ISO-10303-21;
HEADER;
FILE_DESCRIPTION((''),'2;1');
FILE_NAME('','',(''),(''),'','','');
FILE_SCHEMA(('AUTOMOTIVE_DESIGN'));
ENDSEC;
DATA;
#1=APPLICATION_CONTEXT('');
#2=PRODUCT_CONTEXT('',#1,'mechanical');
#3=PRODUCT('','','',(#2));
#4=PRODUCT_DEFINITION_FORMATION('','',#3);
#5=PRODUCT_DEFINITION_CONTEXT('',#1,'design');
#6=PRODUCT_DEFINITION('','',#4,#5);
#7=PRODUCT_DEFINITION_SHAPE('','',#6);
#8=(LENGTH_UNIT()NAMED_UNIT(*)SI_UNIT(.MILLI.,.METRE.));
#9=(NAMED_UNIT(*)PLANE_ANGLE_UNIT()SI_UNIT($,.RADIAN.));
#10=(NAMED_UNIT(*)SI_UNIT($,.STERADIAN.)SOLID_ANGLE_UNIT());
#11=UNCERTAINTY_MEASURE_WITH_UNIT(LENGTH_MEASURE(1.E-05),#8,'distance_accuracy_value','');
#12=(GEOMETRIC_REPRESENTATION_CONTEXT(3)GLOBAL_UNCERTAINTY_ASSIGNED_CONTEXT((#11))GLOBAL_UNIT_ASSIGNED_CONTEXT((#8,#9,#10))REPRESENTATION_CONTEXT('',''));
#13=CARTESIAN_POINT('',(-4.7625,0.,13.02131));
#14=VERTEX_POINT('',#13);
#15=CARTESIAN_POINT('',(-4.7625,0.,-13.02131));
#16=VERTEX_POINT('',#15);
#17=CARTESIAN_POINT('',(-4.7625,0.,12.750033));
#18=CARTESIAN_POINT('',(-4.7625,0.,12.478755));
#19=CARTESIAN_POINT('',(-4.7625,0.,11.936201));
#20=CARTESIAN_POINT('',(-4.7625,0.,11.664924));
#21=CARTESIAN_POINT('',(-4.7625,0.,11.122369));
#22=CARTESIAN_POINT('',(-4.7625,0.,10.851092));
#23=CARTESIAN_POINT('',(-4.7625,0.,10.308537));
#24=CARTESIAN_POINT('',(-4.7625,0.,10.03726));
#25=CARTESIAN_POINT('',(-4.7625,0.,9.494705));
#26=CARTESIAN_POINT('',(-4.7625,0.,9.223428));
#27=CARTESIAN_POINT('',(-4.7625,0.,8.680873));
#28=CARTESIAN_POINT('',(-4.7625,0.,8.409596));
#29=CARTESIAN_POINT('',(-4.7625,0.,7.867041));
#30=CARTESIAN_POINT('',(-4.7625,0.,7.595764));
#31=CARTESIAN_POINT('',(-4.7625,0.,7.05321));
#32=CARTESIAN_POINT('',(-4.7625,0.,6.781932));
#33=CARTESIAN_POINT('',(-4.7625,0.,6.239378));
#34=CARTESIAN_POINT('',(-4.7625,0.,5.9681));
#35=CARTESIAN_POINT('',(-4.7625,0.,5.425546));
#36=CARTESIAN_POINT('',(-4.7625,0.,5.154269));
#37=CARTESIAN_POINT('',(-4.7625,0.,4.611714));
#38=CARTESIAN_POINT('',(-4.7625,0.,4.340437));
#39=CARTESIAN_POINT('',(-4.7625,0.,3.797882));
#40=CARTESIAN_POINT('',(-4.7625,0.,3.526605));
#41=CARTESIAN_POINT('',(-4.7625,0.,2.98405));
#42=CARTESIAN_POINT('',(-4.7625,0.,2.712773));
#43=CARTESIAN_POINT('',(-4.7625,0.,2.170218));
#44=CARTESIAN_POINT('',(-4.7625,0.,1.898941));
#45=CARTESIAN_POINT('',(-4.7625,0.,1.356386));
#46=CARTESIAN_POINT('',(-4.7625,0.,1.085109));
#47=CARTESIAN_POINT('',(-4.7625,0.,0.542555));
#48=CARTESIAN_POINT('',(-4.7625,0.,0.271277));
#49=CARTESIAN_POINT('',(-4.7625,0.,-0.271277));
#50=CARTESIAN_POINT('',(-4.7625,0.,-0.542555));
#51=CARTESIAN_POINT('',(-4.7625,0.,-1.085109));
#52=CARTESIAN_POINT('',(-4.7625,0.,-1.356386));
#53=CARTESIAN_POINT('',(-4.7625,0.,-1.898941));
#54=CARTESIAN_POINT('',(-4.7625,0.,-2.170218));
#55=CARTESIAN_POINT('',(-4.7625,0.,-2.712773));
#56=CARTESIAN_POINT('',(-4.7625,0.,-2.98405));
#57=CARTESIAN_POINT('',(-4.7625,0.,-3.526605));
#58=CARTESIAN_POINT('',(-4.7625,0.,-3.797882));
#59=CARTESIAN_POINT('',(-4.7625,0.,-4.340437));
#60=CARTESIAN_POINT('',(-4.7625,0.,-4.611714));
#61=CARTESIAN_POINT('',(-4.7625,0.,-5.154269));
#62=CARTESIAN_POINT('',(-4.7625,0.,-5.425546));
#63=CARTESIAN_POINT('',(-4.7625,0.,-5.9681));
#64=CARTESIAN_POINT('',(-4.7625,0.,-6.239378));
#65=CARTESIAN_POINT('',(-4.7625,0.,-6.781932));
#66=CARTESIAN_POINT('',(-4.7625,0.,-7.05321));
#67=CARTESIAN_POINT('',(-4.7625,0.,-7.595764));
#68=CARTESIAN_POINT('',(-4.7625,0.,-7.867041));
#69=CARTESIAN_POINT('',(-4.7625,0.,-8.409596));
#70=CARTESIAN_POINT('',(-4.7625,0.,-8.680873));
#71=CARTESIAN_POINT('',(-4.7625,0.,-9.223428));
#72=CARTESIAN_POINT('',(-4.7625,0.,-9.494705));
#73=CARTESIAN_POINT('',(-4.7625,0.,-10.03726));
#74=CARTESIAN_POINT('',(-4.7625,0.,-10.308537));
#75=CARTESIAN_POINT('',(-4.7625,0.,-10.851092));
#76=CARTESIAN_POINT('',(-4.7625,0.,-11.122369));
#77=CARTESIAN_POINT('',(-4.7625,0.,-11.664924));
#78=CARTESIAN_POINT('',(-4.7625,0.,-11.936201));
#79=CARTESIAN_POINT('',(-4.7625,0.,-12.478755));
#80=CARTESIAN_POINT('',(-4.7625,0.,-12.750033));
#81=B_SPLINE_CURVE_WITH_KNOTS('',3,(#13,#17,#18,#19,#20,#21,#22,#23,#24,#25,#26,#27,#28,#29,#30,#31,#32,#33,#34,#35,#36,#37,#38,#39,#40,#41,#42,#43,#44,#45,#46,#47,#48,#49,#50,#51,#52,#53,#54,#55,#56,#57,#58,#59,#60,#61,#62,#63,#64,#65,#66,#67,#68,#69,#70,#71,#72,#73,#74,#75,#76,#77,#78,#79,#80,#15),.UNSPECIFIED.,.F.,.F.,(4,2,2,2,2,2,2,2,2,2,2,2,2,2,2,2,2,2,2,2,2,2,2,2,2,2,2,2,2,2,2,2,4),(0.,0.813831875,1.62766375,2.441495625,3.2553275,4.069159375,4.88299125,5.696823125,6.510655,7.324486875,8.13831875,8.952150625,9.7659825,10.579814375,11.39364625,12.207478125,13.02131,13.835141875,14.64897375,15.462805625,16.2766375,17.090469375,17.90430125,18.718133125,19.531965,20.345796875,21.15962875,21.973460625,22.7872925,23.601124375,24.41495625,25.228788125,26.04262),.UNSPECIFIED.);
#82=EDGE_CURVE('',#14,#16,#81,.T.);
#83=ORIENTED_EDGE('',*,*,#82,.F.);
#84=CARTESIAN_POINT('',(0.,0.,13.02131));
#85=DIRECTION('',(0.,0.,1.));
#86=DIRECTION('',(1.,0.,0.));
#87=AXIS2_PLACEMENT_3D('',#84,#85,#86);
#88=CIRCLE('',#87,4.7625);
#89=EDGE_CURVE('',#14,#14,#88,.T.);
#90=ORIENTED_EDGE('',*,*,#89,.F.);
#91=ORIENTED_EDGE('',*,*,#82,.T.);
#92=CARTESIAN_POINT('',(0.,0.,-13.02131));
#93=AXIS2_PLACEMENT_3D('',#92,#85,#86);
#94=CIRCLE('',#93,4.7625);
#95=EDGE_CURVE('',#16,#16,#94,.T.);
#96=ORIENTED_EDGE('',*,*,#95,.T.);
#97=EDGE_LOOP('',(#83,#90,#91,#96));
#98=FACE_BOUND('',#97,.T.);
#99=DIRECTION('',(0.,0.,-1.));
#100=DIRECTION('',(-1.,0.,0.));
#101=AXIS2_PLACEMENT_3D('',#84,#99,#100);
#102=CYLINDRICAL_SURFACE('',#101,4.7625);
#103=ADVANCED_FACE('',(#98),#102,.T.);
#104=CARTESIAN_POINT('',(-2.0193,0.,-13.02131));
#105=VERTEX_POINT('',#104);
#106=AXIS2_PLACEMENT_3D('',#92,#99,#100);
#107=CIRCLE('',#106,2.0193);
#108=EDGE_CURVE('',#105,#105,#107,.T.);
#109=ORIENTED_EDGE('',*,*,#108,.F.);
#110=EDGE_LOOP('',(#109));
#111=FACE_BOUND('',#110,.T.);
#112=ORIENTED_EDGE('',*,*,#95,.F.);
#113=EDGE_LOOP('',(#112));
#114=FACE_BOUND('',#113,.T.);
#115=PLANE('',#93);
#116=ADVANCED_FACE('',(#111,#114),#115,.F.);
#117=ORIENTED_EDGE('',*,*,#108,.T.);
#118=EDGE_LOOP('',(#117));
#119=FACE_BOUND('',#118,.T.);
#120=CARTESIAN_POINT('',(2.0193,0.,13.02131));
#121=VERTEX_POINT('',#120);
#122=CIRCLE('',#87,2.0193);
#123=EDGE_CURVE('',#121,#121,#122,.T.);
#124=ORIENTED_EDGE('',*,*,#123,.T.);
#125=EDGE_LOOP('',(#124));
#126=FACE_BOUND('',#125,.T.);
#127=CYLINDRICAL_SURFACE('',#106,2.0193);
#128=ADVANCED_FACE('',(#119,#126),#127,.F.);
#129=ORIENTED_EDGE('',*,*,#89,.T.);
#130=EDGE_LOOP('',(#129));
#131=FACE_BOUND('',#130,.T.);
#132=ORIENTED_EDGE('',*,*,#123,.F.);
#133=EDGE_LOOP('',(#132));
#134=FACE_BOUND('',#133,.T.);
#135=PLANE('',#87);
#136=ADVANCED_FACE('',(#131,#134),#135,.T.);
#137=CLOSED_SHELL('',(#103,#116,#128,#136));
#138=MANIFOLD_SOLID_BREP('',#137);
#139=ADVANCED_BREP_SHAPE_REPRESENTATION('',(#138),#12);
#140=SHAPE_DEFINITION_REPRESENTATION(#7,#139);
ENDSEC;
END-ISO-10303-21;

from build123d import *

# Parameters (mm, degrees)
SKETCH1_R                            = 4.7625
BOSS_EXTRUDE1_DEPTH                  = 13.02131
F_10_32_TAPPED_HOLE2_D               = 4.0386
F_10_32_TAPPED_HOLE2_DEPTH           = 15.07744
F_10_32_TAPPED_HOLE2_TIP             = 1.213317848
F_10_32_TAPPED_HOLE2_ON_FACE_2_D     = 4.0386
F_10_32_TAPPED_HOLE2_ON_FACE_2_DEPTH = 15.07744
F_10_32_TAPPED_HOLE2_ON_FACE_2_TIP   = 1.213317848


with BuildPart() as part:
    # Sketch1 → Boss-Extrude1 (new, symmetric)
    with BuildSketch(Plane.XY):
        with Locations(Location((0, 0, 0), (0, 0, 180))):
            Circle(SKETCH1_R)
    extrude(amount=BOSS_EXTRUDE1_DEPTH, both=True)

    # #10-32 Tapped Hole2
    with Locations(Plane.XY.offset(13.02131)):
        with Locations((0, 0)):
            Hole(F_10_32_TAPPED_HOLE2_D / 2, depth=F_10_32_TAPPED_HOLE2_DEPTH)
            with Locations((0, 0, -(F_10_32_TAPPED_HOLE2_DEPTH + F_10_32_TAPPED_HOLE2_TIP / 2))):  # 118° drill point
                Cone(0, F_10_32_TAPPED_HOLE2_D / 2, F_10_32_TAPPED_HOLE2_TIP, mode=Mode.SUBTRACT)

    # #10-32 Tapped Hole2 on face 2
    with Locations(Plane(origin=(0, 0, -13.02131), x_dir=(-1, 0, 0), z_dir=(0, 0, -1))):
        with Locations((0, 0)):
            Hole(F_10_32_TAPPED_HOLE2_ON_FACE_2_D / 2, depth=F_10_32_TAPPED_HOLE2_ON_FACE_2_DEPTH)
            with Locations((0, 0, -(F_10_32_TAPPED_HOLE2_ON_FACE_2_DEPTH + F_10_32_TAPPED_HOLE2_ON_FACE_2_TIP / 2))):  # 118° drill point
                Cone(0, F_10_32_TAPPED_HOLE2_ON_FACE_2_D / 2, F_10_32_TAPPED_HOLE2_ON_FACE_2_TIP, mode=Mode.SUBTRACT)


solid = part.part
